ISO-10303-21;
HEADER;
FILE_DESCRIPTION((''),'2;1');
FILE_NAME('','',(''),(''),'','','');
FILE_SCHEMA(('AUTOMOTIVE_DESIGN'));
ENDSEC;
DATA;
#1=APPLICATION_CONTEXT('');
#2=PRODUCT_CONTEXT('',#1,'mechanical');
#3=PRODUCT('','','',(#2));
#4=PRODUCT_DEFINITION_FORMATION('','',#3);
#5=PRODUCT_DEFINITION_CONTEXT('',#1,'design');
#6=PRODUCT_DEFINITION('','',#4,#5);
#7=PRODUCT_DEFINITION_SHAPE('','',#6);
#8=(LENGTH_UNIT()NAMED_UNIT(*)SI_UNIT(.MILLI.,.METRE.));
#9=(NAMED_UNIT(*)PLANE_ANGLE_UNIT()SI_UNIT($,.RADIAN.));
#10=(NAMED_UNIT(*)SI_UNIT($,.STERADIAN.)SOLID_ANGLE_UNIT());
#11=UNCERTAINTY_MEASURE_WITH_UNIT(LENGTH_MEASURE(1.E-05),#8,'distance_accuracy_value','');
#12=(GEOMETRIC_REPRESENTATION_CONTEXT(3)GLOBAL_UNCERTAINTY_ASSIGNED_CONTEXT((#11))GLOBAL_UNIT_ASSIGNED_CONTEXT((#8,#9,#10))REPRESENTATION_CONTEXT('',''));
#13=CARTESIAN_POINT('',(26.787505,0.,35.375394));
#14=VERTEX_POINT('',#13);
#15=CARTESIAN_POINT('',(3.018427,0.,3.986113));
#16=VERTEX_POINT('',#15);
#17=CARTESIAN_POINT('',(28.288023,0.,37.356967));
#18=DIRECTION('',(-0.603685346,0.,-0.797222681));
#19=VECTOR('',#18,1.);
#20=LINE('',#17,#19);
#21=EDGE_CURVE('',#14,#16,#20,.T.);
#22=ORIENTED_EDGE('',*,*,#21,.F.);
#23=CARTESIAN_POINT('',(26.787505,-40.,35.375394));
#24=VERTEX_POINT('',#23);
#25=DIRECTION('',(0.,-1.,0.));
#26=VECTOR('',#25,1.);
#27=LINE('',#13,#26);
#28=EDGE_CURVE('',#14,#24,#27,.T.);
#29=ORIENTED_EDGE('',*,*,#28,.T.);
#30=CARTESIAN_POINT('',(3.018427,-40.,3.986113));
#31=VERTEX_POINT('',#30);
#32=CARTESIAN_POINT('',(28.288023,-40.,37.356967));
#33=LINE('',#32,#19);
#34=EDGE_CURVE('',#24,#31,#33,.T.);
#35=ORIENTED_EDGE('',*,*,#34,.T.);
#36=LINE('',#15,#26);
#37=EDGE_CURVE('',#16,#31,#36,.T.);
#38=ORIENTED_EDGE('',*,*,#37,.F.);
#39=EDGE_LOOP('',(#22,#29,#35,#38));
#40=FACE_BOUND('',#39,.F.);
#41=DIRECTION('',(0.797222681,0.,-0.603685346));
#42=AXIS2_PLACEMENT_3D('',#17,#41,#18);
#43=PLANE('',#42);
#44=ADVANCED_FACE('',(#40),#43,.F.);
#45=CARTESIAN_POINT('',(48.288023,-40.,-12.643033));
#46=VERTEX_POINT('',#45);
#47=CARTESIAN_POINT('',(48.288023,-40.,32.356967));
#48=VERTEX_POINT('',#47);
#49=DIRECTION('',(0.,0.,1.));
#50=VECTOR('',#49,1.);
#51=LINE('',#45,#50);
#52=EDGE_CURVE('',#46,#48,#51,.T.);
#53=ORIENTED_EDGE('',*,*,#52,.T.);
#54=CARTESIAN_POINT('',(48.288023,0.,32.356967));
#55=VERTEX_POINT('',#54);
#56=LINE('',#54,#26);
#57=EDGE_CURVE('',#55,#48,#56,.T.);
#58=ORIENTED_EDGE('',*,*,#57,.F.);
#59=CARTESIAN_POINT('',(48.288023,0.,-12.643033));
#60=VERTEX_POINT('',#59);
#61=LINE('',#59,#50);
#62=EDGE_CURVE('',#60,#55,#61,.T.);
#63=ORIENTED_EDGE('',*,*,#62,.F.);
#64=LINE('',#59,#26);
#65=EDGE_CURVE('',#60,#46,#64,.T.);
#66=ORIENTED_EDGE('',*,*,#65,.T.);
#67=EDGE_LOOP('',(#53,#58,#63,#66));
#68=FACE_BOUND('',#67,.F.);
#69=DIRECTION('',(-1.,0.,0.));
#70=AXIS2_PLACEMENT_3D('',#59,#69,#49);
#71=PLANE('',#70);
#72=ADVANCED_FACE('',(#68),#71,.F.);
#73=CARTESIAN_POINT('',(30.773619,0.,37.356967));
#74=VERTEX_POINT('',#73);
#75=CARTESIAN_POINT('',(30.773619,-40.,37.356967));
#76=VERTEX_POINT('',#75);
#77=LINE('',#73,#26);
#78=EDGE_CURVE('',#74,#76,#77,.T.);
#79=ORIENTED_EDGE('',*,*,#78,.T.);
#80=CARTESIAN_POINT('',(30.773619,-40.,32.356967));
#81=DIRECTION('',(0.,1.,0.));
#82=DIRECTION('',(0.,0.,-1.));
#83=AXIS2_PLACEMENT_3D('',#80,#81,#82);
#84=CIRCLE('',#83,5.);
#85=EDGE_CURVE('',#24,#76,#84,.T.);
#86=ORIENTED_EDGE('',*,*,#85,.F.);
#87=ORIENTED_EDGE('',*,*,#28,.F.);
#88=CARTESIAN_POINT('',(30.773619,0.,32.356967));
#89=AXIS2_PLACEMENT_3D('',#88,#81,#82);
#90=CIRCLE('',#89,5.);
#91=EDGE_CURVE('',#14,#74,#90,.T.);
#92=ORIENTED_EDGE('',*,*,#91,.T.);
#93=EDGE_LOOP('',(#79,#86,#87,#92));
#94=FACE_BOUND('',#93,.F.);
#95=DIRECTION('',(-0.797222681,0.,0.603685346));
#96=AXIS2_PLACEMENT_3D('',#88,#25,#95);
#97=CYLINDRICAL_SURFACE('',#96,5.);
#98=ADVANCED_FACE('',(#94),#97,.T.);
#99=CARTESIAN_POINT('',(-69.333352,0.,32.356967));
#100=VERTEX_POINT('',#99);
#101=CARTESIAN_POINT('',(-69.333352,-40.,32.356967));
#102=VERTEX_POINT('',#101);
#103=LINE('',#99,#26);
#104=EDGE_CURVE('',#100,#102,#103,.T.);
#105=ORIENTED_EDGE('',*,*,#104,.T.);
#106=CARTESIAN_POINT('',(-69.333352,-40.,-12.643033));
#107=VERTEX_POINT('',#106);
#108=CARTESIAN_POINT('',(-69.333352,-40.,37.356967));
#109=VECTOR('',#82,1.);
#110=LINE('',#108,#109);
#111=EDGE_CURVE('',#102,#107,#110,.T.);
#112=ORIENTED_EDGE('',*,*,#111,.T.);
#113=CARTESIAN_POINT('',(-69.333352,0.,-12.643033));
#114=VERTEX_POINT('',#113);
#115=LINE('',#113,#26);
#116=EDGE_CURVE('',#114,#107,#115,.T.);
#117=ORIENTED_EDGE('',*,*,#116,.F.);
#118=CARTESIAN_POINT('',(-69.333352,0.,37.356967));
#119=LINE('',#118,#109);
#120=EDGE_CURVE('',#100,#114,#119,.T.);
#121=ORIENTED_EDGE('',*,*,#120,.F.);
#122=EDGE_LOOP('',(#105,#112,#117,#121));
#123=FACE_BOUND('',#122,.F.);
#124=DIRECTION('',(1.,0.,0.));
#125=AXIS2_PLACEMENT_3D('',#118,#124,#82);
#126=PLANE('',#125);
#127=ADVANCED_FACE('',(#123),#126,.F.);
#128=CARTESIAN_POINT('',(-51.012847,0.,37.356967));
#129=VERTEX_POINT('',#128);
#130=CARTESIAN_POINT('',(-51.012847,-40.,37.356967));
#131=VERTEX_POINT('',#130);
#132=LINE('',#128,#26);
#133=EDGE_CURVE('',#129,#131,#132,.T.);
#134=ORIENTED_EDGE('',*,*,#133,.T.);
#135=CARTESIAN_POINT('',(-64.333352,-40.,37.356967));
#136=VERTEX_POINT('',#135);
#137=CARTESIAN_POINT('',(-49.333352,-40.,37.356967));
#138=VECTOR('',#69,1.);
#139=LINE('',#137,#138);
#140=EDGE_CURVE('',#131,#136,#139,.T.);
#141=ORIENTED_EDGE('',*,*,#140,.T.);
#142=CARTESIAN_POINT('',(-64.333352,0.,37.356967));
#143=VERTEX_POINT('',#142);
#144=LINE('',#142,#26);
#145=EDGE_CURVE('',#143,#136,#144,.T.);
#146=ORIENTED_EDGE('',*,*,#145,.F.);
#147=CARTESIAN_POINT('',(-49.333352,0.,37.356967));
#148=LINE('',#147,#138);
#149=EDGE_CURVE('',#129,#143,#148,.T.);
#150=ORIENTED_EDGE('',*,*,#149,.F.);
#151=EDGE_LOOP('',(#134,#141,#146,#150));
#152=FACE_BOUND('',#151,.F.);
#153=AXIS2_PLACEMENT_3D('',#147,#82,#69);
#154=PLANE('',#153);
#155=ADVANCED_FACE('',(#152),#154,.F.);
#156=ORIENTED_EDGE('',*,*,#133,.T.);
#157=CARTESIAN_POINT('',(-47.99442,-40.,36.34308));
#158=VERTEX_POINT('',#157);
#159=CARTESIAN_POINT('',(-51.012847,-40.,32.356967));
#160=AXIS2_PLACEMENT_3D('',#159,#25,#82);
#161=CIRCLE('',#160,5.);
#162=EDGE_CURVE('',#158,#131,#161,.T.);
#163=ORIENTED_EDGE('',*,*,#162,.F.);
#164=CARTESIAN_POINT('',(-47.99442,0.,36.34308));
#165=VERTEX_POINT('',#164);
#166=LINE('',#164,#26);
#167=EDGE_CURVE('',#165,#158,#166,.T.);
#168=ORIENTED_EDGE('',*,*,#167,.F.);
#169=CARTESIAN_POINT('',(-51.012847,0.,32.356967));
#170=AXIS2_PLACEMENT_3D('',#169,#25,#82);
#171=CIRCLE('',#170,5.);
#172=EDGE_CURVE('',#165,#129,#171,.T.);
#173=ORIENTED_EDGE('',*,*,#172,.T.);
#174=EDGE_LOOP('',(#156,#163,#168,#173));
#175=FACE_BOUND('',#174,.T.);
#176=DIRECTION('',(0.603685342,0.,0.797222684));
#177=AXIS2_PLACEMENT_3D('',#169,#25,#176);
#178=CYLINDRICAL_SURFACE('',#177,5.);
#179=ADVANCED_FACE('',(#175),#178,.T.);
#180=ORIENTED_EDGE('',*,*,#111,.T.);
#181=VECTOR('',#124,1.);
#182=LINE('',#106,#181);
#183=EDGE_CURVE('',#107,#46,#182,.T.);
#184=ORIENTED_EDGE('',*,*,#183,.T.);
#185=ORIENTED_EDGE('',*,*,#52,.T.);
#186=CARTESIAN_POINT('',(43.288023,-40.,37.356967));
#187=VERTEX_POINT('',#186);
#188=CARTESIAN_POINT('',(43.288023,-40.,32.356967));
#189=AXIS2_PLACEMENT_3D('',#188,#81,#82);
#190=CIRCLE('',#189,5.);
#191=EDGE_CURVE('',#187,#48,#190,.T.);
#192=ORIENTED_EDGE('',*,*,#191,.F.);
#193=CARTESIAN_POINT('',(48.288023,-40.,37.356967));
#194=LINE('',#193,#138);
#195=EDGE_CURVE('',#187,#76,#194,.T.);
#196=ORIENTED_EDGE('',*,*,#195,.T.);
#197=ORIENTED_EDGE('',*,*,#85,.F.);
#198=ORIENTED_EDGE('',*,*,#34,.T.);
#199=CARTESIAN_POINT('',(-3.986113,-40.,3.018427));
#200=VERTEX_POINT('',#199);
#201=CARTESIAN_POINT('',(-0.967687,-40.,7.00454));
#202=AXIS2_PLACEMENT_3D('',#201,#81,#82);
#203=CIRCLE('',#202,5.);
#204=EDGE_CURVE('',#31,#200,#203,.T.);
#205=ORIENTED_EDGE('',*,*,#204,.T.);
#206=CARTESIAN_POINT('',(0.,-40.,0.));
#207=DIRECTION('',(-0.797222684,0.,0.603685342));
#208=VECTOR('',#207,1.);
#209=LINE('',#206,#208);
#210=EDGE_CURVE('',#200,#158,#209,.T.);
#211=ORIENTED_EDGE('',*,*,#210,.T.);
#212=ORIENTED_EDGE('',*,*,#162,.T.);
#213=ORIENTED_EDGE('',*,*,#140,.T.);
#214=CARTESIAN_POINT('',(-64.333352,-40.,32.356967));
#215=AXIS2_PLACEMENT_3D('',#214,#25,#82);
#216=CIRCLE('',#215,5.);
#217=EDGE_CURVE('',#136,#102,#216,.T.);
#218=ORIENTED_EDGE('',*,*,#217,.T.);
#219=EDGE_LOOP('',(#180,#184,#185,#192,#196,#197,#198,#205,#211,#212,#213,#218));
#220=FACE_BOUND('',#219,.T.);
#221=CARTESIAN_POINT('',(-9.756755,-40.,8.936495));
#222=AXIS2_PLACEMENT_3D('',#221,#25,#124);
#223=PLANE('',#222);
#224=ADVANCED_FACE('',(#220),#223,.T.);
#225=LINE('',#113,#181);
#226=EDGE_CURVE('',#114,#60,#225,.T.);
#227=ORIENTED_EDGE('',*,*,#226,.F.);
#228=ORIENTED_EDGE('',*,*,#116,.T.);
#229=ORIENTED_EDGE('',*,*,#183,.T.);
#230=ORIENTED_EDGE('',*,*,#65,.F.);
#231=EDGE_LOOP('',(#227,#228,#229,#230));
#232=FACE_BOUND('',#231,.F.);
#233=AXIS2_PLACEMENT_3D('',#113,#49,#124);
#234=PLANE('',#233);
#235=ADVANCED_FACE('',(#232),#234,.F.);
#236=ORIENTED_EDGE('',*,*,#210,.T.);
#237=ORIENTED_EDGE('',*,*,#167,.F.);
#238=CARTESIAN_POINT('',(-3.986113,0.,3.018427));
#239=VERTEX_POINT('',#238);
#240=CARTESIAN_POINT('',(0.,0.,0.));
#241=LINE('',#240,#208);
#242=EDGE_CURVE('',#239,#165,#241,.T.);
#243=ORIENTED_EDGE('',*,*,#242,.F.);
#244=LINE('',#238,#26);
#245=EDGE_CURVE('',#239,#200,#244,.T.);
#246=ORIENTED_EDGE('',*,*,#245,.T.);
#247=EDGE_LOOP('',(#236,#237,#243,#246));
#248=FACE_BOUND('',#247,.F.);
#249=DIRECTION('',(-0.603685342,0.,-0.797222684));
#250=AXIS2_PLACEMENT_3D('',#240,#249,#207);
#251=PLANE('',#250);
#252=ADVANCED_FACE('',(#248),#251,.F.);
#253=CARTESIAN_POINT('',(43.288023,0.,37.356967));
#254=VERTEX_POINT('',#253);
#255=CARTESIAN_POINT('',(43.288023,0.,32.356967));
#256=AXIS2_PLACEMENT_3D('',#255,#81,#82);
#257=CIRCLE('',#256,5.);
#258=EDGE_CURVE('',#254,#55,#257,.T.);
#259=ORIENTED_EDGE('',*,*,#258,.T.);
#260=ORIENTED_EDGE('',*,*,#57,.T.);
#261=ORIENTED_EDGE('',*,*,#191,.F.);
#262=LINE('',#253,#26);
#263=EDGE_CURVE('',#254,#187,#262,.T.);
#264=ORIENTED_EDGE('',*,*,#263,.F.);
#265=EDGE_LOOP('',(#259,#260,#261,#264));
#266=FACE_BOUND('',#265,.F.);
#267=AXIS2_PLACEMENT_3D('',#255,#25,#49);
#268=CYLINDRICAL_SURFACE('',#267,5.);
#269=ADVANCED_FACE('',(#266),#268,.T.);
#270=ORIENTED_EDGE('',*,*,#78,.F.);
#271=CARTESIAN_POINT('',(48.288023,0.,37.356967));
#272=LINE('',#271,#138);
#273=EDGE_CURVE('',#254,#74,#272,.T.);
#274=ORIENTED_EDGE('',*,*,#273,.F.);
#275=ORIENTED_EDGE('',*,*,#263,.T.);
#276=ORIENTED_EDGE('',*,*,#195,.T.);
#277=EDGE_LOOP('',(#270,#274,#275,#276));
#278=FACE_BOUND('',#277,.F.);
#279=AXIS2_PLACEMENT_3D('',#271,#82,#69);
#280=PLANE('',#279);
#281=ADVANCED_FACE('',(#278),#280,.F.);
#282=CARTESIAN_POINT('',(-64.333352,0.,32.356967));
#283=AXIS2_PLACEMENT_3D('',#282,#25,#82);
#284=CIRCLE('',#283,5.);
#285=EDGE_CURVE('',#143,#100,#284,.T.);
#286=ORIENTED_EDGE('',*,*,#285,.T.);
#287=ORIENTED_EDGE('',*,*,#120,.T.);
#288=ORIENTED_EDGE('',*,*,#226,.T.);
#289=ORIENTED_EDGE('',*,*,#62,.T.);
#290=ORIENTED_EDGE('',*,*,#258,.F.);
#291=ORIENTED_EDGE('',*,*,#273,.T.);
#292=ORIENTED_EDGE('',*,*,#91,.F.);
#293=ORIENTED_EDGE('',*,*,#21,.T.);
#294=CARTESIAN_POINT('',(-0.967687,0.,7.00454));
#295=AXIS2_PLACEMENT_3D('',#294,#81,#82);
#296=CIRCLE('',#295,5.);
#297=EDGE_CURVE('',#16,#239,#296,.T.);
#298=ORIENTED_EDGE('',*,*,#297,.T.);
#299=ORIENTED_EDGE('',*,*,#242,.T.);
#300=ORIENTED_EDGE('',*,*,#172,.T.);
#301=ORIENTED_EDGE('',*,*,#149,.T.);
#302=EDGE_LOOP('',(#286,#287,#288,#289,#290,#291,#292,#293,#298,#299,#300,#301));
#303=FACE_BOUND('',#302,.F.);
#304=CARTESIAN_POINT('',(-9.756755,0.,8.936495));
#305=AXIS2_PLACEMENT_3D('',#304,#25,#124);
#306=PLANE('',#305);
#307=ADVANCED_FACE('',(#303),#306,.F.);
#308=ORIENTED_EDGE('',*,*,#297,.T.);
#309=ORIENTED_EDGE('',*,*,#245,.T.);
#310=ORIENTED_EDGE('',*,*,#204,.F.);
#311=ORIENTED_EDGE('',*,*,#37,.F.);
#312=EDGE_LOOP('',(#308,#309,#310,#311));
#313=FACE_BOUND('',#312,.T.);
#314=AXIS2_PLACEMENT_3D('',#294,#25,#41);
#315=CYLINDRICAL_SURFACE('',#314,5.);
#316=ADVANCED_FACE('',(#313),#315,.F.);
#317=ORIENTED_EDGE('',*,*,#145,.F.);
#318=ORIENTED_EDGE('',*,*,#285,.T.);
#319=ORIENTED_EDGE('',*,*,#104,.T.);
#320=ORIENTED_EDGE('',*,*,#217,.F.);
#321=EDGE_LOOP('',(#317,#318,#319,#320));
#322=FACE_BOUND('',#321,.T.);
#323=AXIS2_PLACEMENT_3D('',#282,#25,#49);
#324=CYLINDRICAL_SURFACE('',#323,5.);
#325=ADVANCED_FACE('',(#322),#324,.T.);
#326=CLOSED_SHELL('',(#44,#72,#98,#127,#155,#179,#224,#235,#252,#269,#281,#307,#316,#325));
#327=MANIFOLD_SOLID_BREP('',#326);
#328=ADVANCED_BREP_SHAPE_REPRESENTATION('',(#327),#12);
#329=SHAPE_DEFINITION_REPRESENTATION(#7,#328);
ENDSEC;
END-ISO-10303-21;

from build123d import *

# Parameters (mm, degrees)
F1_DEPTH = 40
F2_R     = 5
F3_R     = 5


with BuildPart() as f1:
    # F0 (on Front) → F1 (new body)
    with BuildSketch(Plane.XZ):
        Polygon((-49.333352, 37.356967), (-69.333352, 37.356967), (-69.333352, -12.643033), (48.288023, -12.643033), (48.288023, 37.356967), (28.288023, 37.356967), (0, 0), align=None)
    extrude(amount=F1_DEPTH)

    # F2
    f2_edges = [f1.edges().sort_by_distance(p)[0] for p in [
        (0, -20, 0),
    ]]
    fillet(f2_edges, radius=F2_R)

    # F3
    f3_edges = [f1.edges().sort_by_distance(p)[0] for p in [
        (-69.333352, -20, 37.356967),
        (48.288023, -20, 37.356967),
        (-49.333352, -20, 37.356967),
        (28.288023, -20, 37.356967),
    ]]
    fillet(f3_edges, radius=F3_R)


solid = f1.part
